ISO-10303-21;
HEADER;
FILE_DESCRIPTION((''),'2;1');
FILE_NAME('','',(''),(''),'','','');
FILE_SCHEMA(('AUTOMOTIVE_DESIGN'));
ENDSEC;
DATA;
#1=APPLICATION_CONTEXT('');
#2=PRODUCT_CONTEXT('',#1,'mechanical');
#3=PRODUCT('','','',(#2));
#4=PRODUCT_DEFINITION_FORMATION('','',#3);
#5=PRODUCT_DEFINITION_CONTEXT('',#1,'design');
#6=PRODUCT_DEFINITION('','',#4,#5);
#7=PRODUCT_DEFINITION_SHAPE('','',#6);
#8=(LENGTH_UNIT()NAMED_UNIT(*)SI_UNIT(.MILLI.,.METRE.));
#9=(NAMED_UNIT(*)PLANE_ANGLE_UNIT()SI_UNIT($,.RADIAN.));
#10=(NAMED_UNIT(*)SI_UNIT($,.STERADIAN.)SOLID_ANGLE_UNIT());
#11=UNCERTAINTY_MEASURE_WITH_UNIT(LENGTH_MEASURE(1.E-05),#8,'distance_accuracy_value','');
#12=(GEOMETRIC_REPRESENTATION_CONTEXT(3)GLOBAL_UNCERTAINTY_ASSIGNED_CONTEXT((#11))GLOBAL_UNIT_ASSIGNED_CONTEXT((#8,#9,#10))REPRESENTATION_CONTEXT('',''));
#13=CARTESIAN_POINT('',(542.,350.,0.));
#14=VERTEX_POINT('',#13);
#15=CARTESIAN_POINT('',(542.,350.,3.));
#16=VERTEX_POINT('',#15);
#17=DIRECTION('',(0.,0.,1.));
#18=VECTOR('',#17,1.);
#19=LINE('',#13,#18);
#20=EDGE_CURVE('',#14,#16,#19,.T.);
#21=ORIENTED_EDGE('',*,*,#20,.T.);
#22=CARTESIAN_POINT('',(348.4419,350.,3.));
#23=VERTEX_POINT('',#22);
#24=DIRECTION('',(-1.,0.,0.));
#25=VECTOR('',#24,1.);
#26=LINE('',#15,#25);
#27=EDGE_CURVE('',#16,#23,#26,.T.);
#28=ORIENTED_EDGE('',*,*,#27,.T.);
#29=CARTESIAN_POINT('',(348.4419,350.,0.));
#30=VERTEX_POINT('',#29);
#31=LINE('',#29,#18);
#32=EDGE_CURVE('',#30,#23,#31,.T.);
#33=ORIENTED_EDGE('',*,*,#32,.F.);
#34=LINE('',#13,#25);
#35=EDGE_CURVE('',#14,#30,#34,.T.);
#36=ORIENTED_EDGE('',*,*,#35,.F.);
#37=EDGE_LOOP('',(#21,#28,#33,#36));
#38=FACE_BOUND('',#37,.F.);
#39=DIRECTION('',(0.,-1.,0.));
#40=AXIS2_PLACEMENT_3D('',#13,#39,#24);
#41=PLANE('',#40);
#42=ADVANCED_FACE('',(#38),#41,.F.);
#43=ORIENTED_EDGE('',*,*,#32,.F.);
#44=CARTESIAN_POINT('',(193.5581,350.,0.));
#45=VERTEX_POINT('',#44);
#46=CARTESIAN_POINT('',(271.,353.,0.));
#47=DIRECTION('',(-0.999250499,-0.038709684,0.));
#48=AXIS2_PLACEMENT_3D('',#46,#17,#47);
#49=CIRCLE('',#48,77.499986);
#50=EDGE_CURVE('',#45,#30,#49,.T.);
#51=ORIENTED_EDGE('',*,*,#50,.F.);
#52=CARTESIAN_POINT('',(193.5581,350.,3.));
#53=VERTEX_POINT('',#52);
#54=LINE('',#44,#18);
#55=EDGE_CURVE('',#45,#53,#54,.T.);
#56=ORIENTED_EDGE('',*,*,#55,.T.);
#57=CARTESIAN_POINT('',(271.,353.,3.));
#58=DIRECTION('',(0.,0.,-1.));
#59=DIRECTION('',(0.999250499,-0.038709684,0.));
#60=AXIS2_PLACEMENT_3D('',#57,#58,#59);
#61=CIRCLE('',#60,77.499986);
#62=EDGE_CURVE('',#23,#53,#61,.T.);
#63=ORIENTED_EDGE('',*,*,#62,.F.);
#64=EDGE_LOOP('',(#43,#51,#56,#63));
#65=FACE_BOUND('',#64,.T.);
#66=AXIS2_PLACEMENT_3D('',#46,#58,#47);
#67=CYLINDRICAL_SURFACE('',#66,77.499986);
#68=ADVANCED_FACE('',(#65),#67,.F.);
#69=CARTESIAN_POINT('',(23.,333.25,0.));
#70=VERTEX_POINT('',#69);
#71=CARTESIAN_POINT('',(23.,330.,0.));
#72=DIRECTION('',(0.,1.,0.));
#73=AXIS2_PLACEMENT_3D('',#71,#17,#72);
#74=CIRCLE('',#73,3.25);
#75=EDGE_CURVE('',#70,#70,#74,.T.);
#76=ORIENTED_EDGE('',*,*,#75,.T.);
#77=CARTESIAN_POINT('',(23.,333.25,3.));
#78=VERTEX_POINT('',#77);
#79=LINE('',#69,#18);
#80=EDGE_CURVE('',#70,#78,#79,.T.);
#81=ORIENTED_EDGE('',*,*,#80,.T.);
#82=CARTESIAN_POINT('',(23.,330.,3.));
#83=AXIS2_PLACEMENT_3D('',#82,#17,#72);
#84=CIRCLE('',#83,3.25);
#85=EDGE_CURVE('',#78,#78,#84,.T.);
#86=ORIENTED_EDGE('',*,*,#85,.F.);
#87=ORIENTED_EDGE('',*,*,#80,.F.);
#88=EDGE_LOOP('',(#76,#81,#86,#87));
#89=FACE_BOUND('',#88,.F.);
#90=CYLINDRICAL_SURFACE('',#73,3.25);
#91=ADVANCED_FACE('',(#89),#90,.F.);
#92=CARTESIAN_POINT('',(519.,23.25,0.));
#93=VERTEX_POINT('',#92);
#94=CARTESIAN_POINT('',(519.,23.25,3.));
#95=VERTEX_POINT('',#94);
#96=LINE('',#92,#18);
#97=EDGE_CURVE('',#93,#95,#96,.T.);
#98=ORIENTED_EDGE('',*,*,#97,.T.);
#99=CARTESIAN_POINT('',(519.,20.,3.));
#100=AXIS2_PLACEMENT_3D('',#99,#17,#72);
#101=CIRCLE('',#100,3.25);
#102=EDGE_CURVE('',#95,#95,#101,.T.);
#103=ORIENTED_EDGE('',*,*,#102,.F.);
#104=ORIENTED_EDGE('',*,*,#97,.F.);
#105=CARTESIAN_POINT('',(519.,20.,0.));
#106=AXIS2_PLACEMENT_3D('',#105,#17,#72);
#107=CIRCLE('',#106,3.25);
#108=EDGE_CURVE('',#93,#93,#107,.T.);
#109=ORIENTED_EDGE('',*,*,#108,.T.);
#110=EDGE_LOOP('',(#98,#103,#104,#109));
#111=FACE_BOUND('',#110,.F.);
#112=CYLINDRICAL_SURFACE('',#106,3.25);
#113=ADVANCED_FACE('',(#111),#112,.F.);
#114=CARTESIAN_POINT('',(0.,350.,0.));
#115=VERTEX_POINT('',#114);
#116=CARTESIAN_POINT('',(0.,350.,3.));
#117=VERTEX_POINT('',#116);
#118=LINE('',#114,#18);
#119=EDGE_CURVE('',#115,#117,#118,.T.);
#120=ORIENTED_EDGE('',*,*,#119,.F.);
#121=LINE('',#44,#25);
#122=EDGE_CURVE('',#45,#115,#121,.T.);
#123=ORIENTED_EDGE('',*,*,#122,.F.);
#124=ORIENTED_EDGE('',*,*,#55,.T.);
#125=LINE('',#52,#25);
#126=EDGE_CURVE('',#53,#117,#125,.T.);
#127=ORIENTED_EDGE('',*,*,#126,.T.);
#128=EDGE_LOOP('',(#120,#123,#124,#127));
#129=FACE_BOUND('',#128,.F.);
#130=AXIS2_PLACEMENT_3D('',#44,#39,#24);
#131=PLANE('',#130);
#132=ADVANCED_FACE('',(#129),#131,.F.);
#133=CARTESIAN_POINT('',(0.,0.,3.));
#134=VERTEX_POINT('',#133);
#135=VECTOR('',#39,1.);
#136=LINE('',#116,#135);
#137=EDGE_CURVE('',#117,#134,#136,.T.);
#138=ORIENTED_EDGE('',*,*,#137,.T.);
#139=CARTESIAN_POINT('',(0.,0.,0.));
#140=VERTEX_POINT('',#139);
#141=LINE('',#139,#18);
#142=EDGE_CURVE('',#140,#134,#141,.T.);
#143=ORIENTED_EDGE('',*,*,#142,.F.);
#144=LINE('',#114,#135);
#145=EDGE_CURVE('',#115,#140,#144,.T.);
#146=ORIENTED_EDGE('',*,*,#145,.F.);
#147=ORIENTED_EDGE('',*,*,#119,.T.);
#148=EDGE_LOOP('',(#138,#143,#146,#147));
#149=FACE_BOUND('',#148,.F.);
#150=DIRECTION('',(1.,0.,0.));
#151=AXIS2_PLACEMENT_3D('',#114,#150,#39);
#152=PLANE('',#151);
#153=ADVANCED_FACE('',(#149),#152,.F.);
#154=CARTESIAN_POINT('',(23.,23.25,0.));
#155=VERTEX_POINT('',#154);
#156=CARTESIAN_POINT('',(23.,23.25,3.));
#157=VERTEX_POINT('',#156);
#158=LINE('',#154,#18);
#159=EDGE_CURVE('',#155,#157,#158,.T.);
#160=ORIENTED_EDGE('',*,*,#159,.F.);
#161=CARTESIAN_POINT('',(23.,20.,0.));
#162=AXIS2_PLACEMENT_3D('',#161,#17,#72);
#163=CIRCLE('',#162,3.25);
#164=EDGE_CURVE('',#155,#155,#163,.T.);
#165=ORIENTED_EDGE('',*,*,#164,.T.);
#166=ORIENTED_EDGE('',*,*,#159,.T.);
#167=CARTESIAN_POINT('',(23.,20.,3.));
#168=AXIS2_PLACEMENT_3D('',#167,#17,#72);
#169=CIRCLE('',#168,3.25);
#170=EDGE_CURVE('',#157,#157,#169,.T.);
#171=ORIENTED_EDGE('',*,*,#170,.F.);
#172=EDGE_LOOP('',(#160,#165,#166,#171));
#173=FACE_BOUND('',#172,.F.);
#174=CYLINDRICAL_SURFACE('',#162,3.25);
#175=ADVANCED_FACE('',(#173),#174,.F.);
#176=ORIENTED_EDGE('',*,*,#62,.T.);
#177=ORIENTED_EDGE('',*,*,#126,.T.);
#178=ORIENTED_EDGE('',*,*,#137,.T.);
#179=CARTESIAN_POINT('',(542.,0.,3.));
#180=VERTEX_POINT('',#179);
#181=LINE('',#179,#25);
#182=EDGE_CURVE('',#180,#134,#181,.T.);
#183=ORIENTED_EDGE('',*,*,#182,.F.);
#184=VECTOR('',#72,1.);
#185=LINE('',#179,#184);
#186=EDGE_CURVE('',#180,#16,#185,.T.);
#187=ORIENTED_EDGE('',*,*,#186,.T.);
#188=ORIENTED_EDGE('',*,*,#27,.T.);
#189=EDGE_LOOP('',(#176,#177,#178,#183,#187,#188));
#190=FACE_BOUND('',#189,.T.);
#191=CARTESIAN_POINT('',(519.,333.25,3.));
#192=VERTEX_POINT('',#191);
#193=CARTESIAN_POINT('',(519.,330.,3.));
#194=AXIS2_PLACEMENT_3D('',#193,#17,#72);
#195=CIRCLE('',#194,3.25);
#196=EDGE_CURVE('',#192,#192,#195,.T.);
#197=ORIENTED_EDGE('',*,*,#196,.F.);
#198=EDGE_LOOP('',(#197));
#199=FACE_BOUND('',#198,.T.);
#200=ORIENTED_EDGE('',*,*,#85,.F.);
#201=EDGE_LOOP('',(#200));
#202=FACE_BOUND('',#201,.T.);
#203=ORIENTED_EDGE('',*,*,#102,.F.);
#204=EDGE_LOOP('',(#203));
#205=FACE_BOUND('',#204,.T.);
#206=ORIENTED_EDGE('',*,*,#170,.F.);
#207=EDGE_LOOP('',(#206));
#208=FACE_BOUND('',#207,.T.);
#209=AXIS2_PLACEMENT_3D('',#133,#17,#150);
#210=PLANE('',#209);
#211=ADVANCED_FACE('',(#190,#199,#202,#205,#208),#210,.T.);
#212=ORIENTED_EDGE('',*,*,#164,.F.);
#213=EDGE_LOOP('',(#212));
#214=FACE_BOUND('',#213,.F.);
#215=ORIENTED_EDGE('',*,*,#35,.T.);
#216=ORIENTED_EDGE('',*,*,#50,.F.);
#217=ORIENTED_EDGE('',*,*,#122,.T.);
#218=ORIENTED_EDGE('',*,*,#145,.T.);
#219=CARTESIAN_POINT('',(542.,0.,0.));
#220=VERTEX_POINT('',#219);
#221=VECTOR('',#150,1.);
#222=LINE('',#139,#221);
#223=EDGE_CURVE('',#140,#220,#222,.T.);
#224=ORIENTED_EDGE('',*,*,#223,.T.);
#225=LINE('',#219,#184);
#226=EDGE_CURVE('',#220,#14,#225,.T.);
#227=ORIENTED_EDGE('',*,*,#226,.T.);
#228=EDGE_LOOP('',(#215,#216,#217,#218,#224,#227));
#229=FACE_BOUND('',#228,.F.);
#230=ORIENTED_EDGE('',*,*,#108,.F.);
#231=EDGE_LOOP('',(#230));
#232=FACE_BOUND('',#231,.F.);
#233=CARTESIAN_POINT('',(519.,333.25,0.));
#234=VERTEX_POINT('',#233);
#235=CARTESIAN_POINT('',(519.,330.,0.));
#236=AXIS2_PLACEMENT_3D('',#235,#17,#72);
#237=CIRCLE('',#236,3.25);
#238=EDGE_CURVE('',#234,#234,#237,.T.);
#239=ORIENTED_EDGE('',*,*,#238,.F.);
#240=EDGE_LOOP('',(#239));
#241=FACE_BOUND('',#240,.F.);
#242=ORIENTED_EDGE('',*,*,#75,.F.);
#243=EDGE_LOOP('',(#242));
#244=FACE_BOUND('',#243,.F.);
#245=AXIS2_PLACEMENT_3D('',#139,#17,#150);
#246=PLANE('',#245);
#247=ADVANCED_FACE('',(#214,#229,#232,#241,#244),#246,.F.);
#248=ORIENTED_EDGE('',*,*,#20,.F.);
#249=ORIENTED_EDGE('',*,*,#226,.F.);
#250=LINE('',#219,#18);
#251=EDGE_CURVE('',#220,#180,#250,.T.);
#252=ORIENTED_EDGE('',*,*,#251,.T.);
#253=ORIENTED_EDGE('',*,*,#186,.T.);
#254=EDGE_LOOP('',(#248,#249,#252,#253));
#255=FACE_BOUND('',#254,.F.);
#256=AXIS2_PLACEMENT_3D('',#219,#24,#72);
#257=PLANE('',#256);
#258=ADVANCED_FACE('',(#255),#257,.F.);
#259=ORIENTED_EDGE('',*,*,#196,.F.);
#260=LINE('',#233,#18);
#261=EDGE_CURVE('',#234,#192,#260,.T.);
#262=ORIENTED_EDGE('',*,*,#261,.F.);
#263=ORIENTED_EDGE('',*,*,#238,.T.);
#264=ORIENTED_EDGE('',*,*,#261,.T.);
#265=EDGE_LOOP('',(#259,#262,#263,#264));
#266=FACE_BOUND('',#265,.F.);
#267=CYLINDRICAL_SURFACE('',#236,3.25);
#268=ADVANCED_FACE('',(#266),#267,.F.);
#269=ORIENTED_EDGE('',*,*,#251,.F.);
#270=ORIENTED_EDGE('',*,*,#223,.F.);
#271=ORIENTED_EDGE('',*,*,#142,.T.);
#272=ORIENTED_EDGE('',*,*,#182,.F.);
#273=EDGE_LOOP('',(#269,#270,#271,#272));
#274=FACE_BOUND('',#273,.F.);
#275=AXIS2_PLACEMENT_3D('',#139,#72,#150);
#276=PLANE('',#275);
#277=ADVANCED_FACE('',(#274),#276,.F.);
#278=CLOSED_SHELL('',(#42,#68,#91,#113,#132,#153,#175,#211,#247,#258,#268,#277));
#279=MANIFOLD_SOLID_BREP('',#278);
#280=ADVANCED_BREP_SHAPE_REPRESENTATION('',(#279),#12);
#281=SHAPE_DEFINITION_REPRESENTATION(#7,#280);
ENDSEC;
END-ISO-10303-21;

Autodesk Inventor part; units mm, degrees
ref_plane "YZ Plane" through (0, 0, 0) normal (1, 0, 0) x (0, 1, 0)
ref_plane "XZ Plane" through (0, 0, 0) normal (0, 1, 0) x (-1, 0, 0)
ref_plane "XY Plane" through (0, 0, 0) normal (0, 0, 1) x (1, 0, 0)
sketch "Sketch1" plane through (0, 0, 0) normal (0, 0, 1) x (1, 0, 0)
  line L0 (0, 0) -> (542, 0)
  line L1 (542, 0) -> (542, 350)
  line L2 (0, 350) -> (0, 0)
  line L3 (271, 0) -> (271, 353)
  arc A0 (193.5581, 350) -> (348.4419, 350) centre (271, 353) ccw
  line L4 (542, 350) -> (348.4419, 350)
  line L5 (193.5581, 350) -> (0, 350)
  dimension "d0" = 542
  dimension "d1" = 350
  dimension "d24" = 155
  dimension "d25" = 353
extrude "Extrusion1" add sketch "Sketch1" along normal blind 3
sketch "Sketch2" plane through (0, 0, 0) normal (0, 0, -1) x (-1, 0, 0)
  line L0 (0, 350) -> (0, 0) projected
  line L1 (-542, 0) -> (-542, 350) projected
  line L2 (-542, 350) -> (0, 350) projected
  point P0 (-23, 330)
  point P1 (-23, 20)
  point P2 (-519, 330)
  point P3 (-519, 20)
  dimension "d4" = 23
  dimension "d13" = 20
  dimension "d14" = 350
  dimension "d15" = 542
  dimension "d18" = 310
  dimension "d21" = 496
hole "Hole1" at (23, 330, 0) at (519, 330, 0) at (519, 20, 0) at (23, 20, 0) direction (0, 0, 1) diameter 6.5 end through all
properties part number "plate_top_02" material "Polystyrene"
